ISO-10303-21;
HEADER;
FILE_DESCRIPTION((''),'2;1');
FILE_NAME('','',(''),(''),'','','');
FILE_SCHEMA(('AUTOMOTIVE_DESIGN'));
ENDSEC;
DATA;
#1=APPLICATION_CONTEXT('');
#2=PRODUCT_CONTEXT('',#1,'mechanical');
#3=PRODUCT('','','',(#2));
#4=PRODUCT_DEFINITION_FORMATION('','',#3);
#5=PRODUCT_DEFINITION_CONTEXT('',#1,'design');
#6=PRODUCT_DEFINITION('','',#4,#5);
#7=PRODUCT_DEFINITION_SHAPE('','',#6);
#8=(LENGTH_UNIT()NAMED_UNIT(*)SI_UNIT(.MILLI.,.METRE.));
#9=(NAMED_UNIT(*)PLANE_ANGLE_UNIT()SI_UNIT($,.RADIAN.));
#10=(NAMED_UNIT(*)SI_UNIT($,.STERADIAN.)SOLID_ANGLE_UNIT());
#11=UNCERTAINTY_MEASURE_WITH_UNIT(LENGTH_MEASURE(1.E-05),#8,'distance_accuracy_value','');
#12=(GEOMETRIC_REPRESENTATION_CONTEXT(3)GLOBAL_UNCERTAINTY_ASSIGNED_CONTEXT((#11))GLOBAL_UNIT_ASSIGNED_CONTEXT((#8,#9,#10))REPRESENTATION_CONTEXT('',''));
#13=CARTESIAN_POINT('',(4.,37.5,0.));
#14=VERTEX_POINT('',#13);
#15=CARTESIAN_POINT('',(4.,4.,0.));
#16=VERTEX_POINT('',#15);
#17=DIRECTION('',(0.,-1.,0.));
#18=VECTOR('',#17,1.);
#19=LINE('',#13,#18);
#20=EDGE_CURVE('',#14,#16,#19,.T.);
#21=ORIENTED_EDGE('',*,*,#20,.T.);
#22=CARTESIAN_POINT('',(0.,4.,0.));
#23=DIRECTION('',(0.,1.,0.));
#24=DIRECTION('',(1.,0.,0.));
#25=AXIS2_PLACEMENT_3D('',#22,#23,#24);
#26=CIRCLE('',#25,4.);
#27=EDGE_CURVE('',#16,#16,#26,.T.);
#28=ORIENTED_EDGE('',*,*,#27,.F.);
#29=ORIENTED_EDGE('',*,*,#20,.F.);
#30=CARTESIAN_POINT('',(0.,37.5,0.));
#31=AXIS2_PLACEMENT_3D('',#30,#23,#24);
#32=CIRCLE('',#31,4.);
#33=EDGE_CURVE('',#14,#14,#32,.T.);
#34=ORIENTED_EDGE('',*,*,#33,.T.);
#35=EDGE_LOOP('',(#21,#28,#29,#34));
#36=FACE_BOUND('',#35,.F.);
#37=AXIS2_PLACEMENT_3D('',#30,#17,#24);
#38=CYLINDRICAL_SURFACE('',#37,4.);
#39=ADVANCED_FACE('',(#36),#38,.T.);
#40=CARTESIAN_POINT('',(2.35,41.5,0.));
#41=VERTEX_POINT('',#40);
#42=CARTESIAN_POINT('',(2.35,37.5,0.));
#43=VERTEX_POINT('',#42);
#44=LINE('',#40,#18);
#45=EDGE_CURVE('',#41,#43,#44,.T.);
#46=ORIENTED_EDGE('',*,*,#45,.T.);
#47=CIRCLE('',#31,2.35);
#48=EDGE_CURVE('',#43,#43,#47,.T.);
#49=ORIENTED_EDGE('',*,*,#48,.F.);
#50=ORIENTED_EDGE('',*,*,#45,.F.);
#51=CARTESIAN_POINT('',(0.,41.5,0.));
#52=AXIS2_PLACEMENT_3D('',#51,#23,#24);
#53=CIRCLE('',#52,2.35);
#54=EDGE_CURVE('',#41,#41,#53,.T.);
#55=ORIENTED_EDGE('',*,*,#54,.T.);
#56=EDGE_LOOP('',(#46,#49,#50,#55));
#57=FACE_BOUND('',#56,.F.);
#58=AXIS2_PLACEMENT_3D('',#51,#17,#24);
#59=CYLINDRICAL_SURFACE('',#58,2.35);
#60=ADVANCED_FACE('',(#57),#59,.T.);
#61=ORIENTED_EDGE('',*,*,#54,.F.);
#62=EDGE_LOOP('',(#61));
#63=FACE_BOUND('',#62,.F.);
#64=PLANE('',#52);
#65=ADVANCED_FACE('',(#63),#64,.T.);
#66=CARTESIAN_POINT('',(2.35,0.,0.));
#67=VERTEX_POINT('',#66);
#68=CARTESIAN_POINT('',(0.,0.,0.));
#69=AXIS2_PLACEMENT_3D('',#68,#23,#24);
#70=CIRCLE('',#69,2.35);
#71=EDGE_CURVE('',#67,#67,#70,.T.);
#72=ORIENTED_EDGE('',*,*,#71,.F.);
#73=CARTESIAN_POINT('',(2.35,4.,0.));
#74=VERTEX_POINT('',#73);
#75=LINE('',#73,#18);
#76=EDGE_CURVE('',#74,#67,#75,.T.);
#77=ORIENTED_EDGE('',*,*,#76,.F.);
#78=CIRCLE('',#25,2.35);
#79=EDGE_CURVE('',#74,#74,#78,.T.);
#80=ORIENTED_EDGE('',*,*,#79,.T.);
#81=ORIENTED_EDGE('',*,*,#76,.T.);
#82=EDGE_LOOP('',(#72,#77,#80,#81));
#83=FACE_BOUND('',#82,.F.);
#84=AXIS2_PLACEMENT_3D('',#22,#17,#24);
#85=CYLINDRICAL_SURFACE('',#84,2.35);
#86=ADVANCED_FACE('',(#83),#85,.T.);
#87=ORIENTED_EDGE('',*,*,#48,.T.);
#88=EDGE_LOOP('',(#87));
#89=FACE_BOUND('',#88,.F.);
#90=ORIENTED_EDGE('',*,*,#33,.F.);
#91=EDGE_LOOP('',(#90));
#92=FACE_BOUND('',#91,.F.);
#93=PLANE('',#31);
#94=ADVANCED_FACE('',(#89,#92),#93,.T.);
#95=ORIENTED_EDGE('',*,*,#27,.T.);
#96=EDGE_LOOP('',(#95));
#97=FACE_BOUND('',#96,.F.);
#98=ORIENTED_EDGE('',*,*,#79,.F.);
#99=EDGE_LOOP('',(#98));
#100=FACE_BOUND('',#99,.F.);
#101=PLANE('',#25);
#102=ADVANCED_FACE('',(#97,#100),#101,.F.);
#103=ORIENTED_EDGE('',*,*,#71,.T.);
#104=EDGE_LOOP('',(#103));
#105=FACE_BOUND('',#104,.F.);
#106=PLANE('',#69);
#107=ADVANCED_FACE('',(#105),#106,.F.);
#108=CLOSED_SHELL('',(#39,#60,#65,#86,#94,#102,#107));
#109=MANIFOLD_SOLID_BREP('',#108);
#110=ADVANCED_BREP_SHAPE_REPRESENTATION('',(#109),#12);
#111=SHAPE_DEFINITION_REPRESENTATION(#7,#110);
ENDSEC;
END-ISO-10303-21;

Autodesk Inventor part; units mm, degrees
ref_plane "YZ Plane" through (0, 0, 0) normal (1, 0, 0) x (0, 1, 0)
ref_plane "XZ Plane" through (0, 0, 0) normal (0, 1, 0) x (-1, 0, 0)
ref_plane "XY Plane" through (0, 0, 0) normal (0, 0, 1) x (1, 0, 0)
sketch "Sketch1" plane through (0, 0, 0) normal (0, 0, 1) x (1, 0, 0)
  line L0 (0, 0) -> (0, 41.5)
  line L1 (0, 41.5) -> (2.35, 41.5)
  line L2 (2.35, 41.5) -> (2.35, 37.5)
  line L3 (2.35, 37.5) -> (4, 37.5)
  line L4 (4, 37.5) -> (4, 4)
  line L5 (4, 4) -> (2.35, 4)
  line L6 (2.35, 4) -> (2.35, 0)
  line L7 (2.35, 0) -> (0, 0)
  dimension "d0" = 33.5
  dimension "d1" = 8
  dimension "d2" = 4.7
  dimension "d3" = 4
  dimension "d4" = 4
revolve "Revolution1" add sketch "Sketch1" angle 360 about axis through (0, 0, 0) along (0, 1, 0)
properties part number "Pok Mk3 Support" material "ABS Plastic"
